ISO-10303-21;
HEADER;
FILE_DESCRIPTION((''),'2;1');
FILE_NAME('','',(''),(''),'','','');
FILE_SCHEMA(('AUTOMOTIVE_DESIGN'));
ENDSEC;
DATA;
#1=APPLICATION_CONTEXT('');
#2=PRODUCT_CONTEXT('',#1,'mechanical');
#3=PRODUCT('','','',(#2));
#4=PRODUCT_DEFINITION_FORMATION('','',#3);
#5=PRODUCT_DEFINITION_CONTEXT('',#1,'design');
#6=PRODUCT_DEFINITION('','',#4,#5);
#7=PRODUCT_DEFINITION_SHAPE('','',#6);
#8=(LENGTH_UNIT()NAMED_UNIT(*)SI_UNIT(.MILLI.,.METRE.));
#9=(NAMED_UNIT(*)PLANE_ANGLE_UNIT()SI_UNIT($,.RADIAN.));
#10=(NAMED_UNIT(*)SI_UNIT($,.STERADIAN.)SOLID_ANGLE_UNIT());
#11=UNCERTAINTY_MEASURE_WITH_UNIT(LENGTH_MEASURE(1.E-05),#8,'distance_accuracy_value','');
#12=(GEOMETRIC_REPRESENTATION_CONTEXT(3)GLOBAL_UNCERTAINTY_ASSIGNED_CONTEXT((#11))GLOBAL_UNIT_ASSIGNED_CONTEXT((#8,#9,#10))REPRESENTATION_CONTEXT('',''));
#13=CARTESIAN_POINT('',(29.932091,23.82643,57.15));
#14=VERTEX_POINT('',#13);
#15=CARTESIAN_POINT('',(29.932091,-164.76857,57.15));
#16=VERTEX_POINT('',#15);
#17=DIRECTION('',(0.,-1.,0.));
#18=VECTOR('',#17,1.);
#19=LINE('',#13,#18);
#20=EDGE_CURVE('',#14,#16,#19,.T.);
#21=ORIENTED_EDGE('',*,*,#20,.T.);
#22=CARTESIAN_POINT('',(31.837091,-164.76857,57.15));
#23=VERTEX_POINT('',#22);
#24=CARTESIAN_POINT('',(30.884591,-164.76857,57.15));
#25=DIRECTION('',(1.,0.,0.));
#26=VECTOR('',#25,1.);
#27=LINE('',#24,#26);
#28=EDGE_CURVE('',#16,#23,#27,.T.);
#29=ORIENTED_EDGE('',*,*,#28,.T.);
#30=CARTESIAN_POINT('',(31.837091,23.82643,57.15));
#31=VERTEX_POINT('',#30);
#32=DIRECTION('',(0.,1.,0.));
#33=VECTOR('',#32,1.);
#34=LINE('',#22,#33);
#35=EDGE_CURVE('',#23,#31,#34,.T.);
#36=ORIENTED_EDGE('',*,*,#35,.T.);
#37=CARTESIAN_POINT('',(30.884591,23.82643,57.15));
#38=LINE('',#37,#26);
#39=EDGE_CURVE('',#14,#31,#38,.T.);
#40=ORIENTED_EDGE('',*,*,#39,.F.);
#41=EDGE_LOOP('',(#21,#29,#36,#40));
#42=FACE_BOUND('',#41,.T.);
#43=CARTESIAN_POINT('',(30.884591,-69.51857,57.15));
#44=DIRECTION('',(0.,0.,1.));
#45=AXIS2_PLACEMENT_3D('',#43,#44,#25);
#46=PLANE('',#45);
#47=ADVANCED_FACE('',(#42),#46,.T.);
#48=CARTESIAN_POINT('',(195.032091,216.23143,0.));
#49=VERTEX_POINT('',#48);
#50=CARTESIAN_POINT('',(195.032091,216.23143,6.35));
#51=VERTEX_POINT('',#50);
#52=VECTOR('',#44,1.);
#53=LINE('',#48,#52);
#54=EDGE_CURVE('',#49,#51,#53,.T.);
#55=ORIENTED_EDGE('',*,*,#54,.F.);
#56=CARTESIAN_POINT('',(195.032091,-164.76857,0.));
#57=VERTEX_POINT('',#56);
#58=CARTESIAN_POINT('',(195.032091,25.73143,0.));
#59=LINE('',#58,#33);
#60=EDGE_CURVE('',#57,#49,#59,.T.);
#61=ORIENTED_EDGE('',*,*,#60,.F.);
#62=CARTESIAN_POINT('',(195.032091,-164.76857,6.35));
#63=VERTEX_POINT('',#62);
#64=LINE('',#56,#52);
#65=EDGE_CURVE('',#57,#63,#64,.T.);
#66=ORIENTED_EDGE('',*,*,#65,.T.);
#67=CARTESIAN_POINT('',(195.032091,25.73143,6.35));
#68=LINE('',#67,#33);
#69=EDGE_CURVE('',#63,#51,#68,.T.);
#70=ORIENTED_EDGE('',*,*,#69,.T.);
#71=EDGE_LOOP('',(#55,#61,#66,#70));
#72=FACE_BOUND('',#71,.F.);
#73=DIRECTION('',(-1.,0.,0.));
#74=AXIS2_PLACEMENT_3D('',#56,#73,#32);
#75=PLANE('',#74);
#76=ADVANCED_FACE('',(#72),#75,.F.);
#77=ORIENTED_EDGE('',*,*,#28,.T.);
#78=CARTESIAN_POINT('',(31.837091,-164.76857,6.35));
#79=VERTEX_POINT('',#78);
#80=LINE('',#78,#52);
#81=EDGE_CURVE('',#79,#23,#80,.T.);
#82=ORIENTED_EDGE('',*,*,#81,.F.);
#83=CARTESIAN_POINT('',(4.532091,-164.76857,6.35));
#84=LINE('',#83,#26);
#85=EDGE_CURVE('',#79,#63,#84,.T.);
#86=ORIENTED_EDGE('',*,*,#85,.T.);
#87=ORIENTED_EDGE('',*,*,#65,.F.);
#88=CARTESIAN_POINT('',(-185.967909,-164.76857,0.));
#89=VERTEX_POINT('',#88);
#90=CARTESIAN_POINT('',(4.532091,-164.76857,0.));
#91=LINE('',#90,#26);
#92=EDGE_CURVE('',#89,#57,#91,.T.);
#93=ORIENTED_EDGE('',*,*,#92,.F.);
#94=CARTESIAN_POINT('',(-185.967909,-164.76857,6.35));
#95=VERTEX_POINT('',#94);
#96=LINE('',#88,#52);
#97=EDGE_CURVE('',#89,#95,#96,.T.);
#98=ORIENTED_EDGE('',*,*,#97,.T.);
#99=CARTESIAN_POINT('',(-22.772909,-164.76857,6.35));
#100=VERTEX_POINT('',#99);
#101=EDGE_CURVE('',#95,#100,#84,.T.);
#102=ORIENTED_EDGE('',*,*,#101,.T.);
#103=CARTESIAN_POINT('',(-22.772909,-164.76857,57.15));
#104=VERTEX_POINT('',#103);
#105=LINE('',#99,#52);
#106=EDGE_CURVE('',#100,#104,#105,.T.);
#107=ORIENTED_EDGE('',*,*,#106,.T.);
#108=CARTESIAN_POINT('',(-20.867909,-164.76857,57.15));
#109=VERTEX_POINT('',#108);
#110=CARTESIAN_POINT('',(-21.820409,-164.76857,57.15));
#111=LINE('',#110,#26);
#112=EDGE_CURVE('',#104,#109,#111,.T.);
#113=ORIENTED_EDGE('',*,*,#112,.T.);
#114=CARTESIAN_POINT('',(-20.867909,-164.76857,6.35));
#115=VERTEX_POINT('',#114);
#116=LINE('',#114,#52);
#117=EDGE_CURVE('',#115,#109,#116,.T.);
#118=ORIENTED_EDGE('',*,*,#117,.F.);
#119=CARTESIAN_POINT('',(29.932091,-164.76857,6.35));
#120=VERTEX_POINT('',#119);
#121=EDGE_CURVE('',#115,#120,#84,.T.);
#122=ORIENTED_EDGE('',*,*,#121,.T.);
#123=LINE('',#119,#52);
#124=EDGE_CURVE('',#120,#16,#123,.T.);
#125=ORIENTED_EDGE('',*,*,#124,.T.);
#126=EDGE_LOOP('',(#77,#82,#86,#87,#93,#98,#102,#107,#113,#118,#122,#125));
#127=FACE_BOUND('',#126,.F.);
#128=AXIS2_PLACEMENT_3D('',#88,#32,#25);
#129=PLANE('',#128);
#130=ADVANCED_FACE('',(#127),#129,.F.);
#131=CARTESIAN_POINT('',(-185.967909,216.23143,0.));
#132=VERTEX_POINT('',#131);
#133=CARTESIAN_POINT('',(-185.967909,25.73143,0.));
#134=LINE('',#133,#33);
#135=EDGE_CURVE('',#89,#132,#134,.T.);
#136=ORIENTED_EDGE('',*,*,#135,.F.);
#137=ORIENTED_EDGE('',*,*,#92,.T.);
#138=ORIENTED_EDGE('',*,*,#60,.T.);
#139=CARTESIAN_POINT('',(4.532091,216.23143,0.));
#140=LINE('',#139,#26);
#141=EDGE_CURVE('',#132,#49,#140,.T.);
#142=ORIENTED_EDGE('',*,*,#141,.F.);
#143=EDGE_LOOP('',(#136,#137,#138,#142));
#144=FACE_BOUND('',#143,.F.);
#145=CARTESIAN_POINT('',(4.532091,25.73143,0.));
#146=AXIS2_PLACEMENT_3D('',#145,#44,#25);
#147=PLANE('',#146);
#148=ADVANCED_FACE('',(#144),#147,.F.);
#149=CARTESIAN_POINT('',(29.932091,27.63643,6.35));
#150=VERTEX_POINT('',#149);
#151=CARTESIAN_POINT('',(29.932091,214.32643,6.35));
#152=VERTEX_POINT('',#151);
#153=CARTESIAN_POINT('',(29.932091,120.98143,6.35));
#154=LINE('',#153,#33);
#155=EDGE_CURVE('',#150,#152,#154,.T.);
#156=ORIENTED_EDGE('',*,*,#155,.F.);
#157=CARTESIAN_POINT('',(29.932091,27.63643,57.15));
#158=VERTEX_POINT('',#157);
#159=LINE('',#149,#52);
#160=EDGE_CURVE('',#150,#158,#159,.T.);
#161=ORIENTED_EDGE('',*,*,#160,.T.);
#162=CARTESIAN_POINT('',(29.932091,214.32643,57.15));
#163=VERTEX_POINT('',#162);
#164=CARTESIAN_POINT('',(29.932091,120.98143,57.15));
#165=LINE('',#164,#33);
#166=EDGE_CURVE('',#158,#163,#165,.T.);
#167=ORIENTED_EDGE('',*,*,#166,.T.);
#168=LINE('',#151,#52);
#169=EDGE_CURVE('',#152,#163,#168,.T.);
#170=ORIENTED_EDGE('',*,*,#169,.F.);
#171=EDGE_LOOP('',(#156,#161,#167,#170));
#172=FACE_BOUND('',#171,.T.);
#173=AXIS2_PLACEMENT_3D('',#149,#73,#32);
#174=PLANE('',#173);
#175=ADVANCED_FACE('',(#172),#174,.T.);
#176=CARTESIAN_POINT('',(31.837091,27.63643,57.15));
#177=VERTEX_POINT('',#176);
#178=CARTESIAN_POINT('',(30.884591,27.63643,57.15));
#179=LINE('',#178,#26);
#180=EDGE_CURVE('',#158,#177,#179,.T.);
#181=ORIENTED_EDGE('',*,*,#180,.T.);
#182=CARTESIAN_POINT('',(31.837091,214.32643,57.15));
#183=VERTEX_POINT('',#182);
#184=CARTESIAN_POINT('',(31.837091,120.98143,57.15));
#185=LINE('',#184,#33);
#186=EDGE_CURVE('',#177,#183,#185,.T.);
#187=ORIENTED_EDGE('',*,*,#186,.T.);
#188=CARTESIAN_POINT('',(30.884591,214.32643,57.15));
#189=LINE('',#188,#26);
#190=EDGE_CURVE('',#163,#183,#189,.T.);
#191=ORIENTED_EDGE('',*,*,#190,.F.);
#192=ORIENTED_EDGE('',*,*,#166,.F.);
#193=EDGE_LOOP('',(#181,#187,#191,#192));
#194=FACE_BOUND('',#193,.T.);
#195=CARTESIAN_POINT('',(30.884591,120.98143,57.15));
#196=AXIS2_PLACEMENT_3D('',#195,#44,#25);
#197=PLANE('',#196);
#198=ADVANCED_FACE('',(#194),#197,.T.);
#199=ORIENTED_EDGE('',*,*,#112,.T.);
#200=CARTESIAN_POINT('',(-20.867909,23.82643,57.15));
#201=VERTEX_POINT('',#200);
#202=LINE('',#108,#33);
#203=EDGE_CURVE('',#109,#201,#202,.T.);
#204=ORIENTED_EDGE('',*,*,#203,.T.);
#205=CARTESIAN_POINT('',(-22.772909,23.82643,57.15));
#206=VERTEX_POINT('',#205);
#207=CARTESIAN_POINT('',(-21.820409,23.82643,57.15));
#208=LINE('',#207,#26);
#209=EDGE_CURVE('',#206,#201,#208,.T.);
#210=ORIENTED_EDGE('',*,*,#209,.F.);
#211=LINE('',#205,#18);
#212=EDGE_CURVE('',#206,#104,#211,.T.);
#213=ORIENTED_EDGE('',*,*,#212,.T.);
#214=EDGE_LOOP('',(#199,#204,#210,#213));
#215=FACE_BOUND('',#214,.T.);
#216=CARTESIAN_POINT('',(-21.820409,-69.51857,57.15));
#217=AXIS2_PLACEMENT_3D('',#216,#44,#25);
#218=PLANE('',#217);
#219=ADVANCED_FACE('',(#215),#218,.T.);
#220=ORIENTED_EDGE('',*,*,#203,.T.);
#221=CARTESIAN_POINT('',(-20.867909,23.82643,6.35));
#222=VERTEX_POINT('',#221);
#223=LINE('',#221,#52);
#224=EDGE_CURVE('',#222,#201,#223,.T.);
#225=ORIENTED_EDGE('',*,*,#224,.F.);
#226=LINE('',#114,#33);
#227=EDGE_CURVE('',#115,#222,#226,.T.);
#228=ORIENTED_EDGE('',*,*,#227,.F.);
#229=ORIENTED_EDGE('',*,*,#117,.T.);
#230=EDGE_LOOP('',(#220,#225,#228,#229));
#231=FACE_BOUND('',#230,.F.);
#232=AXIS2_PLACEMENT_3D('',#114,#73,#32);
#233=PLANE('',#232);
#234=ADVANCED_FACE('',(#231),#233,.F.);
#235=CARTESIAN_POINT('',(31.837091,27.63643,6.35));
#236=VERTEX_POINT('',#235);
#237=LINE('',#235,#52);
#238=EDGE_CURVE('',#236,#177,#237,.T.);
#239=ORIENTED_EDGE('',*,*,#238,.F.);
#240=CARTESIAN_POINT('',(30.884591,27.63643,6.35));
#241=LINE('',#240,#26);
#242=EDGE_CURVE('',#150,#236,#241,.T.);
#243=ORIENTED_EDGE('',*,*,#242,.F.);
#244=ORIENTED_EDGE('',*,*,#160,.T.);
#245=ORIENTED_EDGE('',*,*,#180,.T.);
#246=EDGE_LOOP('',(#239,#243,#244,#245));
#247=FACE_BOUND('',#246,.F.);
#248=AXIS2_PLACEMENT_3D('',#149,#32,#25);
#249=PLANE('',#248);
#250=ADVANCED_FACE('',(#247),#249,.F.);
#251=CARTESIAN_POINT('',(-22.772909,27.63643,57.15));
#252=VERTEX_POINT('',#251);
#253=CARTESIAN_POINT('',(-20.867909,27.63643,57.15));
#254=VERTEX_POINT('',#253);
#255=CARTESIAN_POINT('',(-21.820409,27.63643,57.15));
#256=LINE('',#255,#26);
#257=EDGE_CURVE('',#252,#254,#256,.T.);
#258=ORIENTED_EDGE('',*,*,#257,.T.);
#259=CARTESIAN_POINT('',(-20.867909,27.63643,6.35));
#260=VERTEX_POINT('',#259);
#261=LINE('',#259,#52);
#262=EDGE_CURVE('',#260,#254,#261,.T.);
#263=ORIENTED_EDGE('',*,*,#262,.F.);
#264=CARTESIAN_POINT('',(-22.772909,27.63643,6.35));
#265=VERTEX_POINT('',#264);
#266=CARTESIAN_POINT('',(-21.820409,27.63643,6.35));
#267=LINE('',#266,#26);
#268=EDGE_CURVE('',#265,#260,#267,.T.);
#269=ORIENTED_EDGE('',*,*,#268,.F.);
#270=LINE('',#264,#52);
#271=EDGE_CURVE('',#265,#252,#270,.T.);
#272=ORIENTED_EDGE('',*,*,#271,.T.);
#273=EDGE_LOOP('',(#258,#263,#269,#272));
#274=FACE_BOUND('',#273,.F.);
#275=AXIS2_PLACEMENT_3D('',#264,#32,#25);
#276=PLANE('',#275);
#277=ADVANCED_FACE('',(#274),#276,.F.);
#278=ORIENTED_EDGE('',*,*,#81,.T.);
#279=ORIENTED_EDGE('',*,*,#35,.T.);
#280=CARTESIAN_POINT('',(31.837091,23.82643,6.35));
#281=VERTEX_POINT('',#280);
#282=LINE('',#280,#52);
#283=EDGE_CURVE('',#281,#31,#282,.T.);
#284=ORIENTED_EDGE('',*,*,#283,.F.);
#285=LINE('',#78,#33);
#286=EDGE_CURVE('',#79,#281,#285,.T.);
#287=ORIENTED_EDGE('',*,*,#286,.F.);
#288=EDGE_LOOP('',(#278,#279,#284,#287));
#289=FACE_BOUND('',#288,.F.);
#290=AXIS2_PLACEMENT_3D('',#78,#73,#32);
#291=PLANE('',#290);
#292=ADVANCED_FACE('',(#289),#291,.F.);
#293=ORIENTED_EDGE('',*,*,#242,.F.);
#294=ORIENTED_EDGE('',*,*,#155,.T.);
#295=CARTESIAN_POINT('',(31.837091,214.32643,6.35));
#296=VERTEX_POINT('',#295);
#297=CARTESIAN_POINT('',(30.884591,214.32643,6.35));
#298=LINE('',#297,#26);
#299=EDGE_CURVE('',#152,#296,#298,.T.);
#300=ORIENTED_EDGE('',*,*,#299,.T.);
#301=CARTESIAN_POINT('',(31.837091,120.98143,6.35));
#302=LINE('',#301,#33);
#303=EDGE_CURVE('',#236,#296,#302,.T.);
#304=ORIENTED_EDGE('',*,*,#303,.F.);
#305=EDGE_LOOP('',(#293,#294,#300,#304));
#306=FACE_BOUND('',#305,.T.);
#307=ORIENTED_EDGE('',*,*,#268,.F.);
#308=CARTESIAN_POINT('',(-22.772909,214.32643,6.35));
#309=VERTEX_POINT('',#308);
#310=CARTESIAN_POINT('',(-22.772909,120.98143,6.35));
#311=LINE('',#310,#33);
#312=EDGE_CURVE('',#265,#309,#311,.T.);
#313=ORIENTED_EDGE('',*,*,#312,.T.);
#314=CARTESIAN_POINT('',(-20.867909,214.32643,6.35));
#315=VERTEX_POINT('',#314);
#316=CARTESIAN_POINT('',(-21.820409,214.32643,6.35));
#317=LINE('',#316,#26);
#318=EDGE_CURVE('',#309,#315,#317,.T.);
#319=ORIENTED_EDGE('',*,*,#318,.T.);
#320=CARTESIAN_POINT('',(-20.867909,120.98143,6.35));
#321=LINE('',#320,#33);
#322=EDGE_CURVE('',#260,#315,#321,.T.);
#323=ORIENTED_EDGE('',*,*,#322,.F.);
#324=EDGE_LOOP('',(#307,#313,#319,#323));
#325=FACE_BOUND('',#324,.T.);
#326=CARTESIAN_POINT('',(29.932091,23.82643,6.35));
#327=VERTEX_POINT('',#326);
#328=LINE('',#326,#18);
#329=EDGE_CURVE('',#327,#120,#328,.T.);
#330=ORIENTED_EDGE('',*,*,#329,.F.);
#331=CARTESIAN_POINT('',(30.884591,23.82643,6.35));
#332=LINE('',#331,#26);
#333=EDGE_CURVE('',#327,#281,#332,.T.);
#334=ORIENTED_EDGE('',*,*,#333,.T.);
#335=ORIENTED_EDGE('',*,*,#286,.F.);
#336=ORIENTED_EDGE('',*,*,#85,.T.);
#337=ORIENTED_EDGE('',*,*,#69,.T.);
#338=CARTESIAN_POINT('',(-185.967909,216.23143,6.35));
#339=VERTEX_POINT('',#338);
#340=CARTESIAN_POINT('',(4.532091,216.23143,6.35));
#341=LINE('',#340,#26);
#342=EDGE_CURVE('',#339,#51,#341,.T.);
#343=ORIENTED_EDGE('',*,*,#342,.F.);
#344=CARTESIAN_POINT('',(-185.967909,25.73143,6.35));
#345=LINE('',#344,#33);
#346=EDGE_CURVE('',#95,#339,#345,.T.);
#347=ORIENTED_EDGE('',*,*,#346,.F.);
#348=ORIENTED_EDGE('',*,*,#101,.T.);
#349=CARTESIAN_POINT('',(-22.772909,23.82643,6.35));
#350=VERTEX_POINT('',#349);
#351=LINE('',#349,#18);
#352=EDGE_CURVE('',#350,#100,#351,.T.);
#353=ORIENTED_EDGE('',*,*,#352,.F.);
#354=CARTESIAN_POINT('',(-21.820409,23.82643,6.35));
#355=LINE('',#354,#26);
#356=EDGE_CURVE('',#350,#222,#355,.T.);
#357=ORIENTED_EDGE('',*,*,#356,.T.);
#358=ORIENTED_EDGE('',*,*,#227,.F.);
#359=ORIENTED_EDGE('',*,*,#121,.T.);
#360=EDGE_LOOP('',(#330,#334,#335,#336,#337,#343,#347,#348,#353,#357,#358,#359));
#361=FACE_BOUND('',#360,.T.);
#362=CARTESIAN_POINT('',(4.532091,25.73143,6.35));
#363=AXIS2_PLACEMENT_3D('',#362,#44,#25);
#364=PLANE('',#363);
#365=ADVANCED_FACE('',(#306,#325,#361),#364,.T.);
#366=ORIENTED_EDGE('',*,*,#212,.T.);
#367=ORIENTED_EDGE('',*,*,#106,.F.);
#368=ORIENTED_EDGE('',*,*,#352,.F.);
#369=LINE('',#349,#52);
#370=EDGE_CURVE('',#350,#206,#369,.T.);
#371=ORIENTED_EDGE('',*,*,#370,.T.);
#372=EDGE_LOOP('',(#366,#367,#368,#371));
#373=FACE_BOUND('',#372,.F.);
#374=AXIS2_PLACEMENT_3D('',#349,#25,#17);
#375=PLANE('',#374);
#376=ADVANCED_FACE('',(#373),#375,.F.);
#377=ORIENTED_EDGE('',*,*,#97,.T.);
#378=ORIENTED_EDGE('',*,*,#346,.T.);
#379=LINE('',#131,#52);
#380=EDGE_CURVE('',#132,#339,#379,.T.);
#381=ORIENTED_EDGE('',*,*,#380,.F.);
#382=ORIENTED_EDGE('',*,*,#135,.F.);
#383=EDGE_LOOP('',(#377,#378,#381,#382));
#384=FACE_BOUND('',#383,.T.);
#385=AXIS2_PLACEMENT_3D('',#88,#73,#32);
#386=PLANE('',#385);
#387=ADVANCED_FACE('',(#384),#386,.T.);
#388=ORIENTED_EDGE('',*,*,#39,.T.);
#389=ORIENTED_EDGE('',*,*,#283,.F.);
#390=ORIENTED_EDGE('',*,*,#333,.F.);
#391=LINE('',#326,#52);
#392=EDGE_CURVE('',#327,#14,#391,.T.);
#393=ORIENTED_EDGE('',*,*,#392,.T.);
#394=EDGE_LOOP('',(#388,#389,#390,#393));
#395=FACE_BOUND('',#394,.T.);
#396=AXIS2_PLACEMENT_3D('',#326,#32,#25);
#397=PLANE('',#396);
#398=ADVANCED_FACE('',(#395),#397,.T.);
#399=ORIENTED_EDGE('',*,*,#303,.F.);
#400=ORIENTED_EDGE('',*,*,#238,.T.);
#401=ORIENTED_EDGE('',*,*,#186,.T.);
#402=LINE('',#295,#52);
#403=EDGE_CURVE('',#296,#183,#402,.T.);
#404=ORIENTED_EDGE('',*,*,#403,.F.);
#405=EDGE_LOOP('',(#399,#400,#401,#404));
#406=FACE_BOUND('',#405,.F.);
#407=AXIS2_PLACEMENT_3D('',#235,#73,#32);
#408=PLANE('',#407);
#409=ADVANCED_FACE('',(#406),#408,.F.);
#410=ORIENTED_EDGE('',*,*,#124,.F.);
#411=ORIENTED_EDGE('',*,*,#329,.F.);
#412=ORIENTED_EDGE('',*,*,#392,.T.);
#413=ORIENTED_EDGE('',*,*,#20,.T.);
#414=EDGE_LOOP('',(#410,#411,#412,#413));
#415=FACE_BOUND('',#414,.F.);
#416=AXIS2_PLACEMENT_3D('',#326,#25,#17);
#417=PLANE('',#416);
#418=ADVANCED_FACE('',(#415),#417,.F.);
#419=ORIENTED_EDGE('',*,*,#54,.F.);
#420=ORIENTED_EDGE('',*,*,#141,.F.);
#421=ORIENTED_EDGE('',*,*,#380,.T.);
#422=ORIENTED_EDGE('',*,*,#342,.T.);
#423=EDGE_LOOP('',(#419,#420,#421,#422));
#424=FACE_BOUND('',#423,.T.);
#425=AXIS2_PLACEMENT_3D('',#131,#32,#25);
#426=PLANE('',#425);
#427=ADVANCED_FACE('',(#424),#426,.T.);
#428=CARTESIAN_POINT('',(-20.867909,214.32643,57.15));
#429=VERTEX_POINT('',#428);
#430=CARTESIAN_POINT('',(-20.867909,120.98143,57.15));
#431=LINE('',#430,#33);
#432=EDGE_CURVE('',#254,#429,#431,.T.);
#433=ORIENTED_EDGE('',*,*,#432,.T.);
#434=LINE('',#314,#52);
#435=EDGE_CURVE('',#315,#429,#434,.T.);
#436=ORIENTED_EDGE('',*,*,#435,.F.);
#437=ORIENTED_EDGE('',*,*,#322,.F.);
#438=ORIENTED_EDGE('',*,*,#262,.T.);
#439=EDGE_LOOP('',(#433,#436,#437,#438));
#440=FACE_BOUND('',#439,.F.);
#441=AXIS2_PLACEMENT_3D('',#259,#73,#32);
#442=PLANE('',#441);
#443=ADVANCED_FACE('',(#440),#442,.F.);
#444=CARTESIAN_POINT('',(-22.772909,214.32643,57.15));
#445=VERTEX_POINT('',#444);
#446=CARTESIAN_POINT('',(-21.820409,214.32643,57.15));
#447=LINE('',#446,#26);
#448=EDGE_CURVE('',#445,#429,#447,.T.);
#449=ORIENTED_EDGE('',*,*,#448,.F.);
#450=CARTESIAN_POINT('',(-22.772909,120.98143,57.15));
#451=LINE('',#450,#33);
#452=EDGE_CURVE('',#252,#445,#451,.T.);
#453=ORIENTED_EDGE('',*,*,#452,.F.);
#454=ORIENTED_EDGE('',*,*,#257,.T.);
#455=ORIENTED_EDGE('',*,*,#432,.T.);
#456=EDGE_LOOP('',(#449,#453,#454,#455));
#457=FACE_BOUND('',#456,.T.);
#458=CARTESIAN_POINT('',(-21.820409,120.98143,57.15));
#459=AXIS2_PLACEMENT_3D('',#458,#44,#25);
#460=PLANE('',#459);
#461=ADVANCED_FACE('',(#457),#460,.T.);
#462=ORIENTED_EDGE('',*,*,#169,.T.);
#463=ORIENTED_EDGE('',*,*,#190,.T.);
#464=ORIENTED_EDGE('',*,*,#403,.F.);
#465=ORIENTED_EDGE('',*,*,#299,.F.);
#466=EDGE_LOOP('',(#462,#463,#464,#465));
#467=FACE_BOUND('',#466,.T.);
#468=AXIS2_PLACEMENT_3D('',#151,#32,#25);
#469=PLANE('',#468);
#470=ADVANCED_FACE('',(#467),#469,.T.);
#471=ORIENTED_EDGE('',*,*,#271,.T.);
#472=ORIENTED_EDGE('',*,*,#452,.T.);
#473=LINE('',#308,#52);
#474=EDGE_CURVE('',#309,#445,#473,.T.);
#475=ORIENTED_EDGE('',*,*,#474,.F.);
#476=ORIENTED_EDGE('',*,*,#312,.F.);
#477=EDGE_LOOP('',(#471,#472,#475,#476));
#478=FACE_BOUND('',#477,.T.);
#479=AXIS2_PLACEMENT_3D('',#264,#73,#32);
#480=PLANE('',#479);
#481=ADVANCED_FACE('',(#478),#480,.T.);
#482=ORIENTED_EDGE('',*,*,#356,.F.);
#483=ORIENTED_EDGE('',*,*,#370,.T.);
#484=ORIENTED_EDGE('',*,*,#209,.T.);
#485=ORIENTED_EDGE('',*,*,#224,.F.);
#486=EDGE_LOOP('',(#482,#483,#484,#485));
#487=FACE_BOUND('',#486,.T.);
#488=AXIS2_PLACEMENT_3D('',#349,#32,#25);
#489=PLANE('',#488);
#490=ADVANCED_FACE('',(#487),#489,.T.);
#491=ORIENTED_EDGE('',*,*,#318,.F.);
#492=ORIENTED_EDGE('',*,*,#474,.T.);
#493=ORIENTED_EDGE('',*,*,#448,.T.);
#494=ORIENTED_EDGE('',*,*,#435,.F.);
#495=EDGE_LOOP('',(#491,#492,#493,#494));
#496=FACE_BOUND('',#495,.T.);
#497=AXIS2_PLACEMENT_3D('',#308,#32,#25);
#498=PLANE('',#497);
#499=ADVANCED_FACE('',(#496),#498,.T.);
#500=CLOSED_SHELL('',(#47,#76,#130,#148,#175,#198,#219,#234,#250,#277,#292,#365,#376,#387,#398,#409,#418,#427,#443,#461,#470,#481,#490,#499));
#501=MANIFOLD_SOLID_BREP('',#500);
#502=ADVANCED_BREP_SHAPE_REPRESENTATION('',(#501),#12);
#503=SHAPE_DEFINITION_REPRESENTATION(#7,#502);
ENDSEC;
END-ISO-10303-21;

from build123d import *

# Parameters (mm, degrees)
F0_W     = 381
F0_H     = 381
F1_DEPTH = 6.35
F2_W     = 1.905
F2_H     = 186.69
F2_H_2   = 1.905
F3_DEPTH = 50.8


with BuildPart() as f1:
    # F0 (on Top) → F1 (new body)
    with BuildSketch(Plane.XY):
        with Locations((4.5320913196, 25.7314295777)):
            Rectangle(F0_W, F0_H)
    extrude(amount=F1_DEPTH)

    # F2 (on face) → F3 (join)
    with BuildSketch(Plane.XY.offset(6.35)):
        with Locations((-21.8204086804, -69.5185704223)):
            Rectangle(F2_W, F2_H)
        with Locations((30.8845913196, -69.5185704223)):
            Rectangle(F2_W, F2_H)
        with Locations((30.8845913196, -163.8160704223)):
            Rectangle(F2_W, F2_H_2)
        with Locations((-21.8204086804, -163.8160704223)):
            Rectangle(F2_W, F2_H_2)
        with Locations((30.8845913196, 120.9814295777)):
            Rectangle(F2_W, F2_H)
        with Locations((-21.8204086804, 120.9814295777)):
            Rectangle(F2_W, F2_H)
    extrude(amount=F3_DEPTH)


solid = f1.part
